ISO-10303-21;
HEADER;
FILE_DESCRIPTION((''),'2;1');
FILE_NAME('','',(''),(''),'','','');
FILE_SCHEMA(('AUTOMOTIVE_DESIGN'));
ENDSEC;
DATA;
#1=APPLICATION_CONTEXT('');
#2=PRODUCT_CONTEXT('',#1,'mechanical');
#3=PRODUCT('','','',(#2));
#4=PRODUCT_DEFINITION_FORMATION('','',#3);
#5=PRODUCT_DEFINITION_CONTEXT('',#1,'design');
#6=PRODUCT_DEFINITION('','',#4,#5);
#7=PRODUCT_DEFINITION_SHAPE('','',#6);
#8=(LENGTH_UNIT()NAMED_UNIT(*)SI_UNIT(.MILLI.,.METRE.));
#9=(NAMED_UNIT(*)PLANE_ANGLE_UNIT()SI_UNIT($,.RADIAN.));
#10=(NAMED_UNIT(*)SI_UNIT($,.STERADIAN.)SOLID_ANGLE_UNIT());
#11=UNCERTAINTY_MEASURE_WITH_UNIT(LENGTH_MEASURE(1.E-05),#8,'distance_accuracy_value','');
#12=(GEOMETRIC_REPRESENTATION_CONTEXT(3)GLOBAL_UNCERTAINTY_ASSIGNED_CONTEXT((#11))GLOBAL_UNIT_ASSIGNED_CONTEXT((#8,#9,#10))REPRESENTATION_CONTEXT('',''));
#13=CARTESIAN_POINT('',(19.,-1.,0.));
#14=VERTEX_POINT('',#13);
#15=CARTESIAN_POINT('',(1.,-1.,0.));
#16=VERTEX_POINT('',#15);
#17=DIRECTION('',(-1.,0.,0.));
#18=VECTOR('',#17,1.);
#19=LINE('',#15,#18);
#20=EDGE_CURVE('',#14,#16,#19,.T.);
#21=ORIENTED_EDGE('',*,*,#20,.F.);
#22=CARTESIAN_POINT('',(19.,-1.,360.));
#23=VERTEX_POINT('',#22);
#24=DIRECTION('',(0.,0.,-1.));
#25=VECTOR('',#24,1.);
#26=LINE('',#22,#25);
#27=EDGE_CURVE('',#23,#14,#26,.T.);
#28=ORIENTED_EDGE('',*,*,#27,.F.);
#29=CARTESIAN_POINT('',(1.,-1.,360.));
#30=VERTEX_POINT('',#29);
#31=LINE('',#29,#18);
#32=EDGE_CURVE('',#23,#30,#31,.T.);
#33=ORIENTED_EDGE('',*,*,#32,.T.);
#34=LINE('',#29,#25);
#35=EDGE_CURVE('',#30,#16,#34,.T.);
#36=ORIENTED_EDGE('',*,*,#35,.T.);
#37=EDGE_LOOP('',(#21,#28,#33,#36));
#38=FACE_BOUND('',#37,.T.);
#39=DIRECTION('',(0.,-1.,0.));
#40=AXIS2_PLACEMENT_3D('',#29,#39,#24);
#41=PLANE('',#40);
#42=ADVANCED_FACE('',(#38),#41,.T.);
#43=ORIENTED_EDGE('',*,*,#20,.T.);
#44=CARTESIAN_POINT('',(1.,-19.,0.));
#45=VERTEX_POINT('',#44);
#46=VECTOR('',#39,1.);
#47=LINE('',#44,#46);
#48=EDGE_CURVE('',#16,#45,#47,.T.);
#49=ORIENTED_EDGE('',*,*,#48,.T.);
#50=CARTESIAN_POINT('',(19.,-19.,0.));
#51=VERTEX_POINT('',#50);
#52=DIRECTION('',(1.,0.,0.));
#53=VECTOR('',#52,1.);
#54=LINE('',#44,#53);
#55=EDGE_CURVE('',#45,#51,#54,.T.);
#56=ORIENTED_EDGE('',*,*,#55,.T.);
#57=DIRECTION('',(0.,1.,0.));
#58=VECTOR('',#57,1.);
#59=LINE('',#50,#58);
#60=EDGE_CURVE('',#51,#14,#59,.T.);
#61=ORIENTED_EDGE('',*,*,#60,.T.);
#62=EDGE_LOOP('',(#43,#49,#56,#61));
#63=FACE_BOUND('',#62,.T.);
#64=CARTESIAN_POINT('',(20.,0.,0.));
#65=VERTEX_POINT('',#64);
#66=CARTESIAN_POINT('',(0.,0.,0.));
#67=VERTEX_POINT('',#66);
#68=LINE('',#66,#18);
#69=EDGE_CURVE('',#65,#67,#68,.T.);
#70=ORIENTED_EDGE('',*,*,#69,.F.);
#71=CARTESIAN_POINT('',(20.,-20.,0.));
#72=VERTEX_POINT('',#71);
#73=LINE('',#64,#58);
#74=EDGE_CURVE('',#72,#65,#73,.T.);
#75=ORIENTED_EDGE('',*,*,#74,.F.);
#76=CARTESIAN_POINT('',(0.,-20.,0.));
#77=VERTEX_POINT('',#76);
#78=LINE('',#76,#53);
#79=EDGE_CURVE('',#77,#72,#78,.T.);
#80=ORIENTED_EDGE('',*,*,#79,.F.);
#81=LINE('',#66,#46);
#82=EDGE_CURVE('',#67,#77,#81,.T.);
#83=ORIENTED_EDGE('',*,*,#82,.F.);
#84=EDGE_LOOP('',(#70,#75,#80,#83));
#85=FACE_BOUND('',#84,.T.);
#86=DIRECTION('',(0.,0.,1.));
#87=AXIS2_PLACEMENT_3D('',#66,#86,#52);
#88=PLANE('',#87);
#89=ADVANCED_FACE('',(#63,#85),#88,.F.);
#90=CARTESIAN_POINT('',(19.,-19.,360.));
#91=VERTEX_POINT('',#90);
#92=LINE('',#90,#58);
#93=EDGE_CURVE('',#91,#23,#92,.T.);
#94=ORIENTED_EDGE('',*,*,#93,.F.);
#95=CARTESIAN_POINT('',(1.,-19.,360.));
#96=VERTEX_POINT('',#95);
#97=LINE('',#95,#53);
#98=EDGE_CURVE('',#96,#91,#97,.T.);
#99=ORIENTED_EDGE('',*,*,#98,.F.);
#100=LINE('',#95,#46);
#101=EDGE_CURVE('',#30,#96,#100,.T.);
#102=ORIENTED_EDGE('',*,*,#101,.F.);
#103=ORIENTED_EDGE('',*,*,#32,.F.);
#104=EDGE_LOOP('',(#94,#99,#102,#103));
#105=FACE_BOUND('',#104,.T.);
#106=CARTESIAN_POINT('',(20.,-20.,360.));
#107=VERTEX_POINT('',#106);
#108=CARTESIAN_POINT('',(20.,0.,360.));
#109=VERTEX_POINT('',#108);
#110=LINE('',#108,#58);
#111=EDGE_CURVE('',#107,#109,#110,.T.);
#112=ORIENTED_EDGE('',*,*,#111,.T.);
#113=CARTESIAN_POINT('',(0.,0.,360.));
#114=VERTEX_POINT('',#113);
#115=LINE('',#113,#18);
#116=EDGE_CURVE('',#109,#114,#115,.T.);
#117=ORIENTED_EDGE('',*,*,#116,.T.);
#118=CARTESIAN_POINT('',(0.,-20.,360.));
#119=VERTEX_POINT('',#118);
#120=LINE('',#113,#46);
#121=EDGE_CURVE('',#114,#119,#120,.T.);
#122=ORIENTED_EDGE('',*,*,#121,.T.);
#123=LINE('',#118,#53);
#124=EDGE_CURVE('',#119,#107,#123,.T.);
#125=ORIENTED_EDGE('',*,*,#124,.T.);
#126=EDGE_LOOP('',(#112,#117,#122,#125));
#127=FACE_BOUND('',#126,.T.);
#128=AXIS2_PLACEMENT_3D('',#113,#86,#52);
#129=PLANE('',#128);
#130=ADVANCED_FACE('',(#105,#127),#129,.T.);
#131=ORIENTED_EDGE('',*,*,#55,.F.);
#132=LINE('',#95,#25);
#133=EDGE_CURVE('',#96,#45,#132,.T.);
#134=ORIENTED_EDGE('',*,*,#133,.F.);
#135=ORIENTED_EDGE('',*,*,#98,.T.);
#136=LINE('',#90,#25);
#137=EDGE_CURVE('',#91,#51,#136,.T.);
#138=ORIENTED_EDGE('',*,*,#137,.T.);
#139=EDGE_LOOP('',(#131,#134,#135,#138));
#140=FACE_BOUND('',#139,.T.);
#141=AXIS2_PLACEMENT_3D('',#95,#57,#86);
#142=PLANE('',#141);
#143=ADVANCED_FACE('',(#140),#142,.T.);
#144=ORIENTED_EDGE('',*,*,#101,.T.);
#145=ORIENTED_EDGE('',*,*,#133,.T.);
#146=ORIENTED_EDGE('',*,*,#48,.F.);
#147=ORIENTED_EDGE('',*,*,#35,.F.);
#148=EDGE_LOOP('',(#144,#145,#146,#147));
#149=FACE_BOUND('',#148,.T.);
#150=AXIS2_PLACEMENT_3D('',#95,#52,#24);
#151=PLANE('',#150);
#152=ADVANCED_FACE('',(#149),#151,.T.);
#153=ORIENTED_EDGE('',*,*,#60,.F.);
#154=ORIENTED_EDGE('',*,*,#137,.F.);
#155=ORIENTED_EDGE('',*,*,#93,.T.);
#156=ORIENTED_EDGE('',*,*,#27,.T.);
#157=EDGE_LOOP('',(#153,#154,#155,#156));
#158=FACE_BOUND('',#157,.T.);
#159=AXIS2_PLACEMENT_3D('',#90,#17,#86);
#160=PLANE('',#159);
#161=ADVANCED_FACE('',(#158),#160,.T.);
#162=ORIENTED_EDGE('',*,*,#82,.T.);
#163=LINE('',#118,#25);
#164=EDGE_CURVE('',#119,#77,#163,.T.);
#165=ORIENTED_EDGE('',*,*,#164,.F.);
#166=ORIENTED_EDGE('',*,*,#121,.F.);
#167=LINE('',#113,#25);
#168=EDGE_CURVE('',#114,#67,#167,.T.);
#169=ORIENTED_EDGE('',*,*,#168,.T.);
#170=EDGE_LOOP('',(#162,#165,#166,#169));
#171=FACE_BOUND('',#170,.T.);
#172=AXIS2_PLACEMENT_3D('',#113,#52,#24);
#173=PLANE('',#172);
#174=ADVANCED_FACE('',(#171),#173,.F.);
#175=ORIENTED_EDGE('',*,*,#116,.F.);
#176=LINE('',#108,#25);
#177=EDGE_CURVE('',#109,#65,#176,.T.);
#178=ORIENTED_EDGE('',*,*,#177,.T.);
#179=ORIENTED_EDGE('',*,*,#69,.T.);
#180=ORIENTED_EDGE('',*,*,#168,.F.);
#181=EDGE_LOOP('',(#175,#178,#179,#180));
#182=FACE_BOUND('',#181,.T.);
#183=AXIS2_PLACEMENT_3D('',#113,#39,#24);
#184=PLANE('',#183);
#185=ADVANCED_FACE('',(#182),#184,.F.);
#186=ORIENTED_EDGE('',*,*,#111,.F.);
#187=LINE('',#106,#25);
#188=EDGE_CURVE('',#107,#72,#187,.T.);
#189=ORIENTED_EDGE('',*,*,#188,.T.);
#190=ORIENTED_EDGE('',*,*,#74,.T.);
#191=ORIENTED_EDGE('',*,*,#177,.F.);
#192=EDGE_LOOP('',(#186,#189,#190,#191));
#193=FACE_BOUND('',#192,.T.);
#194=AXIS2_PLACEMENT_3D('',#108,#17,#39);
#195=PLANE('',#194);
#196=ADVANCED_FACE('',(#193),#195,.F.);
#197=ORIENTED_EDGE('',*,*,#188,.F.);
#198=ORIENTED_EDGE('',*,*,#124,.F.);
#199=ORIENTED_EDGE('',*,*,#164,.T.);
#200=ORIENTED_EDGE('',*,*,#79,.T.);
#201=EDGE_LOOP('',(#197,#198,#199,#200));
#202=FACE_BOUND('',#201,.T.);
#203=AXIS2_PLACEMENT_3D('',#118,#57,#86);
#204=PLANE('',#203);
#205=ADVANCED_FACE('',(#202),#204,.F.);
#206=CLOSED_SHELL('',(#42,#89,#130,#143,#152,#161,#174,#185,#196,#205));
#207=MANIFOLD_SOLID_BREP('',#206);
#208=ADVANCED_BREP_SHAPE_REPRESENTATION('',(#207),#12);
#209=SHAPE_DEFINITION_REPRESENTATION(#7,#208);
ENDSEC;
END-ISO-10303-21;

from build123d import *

# Parameters (mm, degrees)
SKETCH1_W           = 20
SKETCH1_H           = 20
SKETCH1_W_2         = 18
SKETCH1_H_2         = 18
BOSS_EXTRUDE1_DEPTH = 360


with BuildPart() as part:
    # Sketch1 → Boss-Extrude1 (new body)
    with BuildSketch(Plane.XY):
        with Locations((10, -10)):
            Rectangle(SKETCH1_W, SKETCH1_H)
        with Locations((10, -10)):
            Rectangle(SKETCH1_W_2, SKETCH1_H_2, mode=Mode.SUBTRACT)
    extrude(amount=BOSS_EXTRUDE1_DEPTH)


solid = part.part
